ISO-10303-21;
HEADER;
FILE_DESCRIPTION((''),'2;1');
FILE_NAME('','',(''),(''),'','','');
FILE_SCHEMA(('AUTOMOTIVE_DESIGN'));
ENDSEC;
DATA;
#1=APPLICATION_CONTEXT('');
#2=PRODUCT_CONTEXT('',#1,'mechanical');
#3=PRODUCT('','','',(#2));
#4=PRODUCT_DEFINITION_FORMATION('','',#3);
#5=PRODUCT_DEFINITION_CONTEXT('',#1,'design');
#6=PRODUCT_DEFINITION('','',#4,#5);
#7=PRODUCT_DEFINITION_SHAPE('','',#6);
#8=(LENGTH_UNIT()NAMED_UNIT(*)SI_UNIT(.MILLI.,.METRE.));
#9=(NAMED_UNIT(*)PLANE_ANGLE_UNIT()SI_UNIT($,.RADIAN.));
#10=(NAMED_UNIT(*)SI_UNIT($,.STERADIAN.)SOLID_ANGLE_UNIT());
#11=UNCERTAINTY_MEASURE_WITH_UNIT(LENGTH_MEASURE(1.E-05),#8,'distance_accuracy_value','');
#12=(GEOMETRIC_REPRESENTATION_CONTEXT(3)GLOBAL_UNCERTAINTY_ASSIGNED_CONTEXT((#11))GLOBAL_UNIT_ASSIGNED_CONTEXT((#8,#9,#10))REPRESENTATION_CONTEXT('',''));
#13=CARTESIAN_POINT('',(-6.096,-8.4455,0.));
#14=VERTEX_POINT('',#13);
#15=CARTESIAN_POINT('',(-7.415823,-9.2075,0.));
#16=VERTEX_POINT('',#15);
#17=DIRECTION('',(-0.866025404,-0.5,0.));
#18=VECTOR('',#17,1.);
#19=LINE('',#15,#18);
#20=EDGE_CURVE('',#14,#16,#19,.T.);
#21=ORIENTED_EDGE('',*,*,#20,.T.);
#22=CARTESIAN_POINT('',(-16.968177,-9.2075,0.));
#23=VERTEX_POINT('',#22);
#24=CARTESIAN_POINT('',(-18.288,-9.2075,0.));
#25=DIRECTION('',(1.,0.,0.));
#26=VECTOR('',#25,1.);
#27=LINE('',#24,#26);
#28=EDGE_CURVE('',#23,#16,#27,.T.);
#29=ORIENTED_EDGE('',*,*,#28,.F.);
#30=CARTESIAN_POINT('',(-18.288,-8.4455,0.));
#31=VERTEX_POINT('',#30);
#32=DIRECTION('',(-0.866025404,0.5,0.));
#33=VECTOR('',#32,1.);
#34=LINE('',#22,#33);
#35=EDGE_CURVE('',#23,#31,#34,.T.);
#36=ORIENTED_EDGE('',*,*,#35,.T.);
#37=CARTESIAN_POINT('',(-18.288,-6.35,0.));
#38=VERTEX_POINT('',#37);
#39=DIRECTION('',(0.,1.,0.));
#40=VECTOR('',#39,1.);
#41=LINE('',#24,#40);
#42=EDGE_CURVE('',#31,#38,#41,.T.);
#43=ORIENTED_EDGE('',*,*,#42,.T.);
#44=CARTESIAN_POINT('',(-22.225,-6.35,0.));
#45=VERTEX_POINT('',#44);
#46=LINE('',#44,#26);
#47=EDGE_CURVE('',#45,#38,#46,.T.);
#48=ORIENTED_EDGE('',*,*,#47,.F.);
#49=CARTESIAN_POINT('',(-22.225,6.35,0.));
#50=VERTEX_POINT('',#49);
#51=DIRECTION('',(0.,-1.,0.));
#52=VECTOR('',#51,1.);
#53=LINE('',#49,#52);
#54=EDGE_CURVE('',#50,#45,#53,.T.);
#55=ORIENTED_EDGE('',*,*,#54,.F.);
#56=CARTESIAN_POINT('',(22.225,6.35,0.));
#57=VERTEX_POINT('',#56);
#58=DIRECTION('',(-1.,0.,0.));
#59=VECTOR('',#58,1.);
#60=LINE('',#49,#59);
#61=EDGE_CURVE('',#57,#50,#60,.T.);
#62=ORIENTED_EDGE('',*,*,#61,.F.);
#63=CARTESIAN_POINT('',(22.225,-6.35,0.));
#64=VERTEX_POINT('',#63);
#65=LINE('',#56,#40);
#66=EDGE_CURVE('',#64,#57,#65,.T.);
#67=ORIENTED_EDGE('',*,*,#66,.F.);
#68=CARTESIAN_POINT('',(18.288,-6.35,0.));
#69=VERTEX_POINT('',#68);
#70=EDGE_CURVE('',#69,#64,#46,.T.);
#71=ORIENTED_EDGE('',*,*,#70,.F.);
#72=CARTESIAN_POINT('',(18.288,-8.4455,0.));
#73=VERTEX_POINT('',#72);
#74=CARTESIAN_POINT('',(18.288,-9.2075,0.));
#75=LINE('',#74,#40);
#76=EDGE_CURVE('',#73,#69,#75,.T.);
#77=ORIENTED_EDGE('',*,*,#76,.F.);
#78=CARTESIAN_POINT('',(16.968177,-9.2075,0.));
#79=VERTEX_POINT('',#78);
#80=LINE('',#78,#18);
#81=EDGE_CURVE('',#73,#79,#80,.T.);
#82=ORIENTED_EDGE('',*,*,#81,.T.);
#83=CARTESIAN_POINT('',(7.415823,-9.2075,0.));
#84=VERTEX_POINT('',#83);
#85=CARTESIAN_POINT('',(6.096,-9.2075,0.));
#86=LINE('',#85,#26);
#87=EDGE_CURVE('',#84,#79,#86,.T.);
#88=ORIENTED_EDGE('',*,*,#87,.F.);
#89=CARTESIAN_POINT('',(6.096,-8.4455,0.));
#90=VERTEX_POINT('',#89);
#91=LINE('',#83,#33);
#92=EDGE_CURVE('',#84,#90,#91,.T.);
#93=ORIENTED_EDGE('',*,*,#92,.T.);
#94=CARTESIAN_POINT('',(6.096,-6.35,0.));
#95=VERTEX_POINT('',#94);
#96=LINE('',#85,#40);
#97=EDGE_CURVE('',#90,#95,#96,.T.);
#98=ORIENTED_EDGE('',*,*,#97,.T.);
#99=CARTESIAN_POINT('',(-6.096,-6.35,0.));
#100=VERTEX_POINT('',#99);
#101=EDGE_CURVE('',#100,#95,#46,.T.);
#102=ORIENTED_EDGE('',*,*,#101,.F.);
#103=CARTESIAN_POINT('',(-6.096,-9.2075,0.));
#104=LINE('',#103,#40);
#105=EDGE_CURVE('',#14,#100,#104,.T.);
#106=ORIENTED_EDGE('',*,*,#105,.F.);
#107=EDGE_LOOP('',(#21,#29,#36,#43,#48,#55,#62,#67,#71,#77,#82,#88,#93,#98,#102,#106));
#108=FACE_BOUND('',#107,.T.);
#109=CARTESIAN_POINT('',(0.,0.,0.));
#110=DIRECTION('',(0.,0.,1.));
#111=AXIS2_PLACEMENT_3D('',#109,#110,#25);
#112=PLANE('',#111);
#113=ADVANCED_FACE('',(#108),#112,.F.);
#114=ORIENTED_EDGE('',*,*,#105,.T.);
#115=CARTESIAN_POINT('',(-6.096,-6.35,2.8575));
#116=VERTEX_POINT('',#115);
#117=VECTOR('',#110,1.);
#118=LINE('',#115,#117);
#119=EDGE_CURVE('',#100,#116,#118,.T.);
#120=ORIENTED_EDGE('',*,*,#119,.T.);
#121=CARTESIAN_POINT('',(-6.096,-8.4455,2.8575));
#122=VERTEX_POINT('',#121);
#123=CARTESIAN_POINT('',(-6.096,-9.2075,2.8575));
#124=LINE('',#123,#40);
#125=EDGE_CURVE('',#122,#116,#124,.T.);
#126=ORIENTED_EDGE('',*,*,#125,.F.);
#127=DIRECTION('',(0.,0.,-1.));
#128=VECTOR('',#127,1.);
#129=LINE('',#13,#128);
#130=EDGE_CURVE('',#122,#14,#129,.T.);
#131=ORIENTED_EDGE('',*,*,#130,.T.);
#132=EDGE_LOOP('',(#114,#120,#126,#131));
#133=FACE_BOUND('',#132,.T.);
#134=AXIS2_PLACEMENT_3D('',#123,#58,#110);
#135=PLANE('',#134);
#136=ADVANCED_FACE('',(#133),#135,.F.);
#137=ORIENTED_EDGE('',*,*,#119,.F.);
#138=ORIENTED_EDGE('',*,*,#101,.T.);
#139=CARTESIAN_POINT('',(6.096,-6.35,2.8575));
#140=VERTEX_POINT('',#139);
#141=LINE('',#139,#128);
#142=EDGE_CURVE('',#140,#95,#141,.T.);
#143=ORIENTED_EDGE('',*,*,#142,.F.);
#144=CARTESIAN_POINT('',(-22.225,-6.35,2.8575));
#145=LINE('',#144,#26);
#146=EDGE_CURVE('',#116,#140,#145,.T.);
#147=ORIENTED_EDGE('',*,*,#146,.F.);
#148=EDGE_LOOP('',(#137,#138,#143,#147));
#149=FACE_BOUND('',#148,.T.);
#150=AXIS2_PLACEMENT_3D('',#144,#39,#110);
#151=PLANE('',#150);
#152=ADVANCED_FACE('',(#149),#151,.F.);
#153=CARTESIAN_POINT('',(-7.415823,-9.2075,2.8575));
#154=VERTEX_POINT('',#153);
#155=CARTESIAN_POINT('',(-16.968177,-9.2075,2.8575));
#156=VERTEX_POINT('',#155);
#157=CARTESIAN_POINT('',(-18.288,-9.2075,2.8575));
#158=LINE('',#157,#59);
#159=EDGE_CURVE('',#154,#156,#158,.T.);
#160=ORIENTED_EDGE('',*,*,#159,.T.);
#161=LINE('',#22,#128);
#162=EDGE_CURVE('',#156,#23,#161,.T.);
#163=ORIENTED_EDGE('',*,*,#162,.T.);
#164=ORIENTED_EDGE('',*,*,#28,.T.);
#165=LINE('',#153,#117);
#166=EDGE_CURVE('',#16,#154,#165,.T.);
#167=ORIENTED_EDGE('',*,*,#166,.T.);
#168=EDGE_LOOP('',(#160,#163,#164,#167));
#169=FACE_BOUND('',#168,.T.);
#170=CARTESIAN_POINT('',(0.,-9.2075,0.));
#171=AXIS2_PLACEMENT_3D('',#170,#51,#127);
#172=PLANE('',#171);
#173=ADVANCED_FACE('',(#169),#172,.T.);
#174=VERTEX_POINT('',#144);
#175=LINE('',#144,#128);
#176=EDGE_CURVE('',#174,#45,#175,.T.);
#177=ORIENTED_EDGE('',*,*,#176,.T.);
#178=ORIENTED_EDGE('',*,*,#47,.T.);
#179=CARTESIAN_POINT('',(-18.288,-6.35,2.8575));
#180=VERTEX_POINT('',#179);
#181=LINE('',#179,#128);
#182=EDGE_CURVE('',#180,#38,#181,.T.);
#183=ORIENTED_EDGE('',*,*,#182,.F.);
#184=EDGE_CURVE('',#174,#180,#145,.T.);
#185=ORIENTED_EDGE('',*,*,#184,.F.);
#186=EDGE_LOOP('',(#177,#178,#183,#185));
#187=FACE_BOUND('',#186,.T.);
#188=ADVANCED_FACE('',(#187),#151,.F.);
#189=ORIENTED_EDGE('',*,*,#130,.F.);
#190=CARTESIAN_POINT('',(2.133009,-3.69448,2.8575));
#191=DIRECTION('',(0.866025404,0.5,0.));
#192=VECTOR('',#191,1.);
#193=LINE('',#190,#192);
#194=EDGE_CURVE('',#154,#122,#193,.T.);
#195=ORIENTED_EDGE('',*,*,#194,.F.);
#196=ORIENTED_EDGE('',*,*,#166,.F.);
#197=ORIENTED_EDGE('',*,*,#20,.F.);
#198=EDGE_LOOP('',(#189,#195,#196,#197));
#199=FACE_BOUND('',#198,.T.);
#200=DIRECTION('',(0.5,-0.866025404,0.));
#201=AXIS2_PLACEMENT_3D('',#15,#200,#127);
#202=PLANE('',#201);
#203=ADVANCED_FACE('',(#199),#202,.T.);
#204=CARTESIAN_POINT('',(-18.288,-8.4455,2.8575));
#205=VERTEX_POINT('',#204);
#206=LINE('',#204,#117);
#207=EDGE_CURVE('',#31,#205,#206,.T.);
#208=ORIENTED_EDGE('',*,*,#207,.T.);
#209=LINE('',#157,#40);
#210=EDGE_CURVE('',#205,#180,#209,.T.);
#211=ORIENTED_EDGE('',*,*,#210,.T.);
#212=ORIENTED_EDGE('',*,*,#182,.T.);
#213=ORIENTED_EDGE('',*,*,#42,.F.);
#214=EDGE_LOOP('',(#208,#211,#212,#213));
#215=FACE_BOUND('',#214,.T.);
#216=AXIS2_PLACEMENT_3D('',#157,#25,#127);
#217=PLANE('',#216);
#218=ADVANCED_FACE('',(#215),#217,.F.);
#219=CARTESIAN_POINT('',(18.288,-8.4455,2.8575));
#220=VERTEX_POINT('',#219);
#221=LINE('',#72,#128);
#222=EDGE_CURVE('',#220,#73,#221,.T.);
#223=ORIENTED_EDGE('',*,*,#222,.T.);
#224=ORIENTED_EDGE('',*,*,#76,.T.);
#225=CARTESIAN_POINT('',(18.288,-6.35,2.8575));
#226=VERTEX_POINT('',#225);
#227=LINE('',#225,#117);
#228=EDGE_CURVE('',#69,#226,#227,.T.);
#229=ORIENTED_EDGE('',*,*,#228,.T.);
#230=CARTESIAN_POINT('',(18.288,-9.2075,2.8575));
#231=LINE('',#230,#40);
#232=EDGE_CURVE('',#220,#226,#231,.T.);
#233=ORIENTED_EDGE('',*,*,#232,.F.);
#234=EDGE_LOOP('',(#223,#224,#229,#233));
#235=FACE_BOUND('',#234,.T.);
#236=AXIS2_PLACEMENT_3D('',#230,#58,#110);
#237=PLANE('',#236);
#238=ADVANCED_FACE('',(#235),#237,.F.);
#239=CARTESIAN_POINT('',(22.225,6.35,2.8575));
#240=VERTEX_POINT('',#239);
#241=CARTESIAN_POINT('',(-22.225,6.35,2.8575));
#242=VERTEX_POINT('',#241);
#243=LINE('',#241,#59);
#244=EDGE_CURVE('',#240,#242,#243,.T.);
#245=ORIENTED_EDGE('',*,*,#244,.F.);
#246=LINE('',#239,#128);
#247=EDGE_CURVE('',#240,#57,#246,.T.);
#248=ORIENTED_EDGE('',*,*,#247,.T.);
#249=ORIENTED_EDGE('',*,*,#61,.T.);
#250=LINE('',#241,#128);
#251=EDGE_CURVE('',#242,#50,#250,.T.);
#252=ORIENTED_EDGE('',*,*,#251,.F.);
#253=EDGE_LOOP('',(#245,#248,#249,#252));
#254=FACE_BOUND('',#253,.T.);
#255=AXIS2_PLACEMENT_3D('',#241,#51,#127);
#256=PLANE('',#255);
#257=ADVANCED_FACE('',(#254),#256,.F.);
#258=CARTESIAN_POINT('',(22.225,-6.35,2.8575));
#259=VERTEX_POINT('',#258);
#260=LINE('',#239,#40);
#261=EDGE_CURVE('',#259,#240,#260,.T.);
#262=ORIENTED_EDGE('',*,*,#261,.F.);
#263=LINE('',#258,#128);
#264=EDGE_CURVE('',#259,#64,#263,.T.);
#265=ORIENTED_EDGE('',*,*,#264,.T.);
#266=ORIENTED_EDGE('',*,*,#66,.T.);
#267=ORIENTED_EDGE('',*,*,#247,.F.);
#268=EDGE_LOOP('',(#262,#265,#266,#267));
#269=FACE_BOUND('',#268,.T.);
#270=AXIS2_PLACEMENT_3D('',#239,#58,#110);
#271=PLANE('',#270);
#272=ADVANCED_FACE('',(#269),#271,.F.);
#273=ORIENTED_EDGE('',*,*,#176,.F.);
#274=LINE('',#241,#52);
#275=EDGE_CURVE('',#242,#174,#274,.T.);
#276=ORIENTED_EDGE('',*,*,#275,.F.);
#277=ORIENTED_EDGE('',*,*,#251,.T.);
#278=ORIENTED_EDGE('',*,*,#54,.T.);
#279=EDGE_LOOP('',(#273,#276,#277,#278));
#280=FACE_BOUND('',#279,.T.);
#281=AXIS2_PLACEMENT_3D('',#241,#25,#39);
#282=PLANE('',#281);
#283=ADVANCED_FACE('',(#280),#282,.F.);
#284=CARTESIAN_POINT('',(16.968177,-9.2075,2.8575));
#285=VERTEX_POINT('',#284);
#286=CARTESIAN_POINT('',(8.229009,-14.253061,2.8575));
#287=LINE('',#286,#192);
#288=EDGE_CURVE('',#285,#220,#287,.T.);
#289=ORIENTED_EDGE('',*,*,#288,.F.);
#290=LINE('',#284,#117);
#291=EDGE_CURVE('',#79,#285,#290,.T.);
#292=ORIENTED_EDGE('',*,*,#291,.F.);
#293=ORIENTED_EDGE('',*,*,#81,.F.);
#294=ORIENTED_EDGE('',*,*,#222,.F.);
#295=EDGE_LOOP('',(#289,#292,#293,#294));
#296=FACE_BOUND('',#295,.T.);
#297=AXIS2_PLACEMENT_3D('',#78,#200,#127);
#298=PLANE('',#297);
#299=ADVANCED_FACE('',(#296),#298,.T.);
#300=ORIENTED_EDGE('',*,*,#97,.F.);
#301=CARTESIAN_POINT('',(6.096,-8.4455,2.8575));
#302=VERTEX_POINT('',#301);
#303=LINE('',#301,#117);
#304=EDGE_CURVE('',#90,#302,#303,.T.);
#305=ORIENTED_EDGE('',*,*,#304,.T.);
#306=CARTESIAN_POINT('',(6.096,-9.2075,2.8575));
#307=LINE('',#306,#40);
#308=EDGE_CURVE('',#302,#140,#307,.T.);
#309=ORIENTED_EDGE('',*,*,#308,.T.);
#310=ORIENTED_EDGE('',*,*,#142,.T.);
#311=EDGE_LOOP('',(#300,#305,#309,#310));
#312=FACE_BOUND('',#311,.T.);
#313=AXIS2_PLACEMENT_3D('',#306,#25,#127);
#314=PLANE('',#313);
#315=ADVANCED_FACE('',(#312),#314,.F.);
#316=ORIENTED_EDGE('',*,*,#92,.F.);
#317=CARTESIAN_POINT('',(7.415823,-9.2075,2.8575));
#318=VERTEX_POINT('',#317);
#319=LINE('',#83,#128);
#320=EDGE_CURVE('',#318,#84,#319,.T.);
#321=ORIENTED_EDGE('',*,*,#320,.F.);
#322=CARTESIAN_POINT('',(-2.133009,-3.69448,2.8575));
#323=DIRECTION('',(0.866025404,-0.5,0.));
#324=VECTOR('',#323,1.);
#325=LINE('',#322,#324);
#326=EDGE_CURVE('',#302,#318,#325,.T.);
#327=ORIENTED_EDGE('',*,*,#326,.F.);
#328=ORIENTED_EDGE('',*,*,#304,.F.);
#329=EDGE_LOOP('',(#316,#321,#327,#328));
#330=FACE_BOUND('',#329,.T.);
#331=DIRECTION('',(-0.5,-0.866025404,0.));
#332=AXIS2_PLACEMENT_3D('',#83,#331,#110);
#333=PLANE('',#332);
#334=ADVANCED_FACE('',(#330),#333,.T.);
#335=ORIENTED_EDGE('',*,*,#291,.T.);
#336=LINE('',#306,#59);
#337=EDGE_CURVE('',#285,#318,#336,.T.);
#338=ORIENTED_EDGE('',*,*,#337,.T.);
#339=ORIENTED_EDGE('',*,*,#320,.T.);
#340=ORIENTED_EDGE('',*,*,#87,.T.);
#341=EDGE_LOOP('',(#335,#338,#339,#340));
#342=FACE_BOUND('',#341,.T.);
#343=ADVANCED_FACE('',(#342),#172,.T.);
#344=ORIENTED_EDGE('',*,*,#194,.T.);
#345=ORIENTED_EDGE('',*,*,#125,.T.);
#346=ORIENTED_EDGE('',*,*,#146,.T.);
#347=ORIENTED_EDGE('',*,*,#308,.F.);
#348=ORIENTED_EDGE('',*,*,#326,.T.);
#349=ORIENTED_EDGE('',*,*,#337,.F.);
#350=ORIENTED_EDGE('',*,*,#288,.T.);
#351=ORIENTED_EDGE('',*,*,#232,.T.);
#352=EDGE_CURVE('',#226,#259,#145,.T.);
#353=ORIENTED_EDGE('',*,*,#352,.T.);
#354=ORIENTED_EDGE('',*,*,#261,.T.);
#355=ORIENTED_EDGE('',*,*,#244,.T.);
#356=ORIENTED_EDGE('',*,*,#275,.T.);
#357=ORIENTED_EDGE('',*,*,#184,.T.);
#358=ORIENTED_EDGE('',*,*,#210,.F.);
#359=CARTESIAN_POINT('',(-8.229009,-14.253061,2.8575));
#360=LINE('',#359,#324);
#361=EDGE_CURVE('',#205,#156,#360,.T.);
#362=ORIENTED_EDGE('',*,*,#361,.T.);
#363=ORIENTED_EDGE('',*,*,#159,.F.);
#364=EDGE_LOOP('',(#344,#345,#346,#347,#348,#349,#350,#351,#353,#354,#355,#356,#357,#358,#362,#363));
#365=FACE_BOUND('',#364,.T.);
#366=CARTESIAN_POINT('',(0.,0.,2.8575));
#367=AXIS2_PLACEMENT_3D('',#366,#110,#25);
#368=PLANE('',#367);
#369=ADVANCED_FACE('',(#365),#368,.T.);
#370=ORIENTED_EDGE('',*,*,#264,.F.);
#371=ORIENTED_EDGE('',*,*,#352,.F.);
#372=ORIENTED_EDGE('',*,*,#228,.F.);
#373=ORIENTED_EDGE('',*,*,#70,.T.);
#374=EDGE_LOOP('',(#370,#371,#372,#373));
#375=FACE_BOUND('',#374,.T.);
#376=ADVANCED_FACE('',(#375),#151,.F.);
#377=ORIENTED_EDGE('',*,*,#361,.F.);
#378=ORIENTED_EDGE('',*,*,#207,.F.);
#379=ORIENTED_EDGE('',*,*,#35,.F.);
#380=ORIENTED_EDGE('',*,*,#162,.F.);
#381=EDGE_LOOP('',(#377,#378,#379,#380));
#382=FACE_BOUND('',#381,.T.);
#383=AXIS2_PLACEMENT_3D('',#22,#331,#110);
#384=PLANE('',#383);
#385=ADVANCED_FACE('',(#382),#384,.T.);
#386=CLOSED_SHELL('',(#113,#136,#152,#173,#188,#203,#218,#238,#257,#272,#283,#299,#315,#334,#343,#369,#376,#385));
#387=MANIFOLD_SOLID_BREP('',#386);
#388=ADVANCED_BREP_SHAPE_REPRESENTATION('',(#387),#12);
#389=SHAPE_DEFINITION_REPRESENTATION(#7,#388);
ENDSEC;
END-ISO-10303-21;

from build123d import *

# Parameters (mm, degrees)
SKETCH1_W             = 44.45
SKETCH1_H             = 12.7
BOSS_EXTRUDE1_DEPTH   = 2.8575
SKETCH2_W             = 12.192
SKETCH2_H             = 2.8575
BOSS_EXTRUDE2_DEPTH   = 2.8575
CHAMFER1_SIZE         = 0.762
CHAMFER1_SIZE2        = 1.319822715
CHAMFER1_PART_2_SIZE  = 0.762
CHAMFER1_PART_2_SIZE2 = 1.319822715
CHAMFER2_SIZE         = 0.762
CHAMFER2_SIZE2        = 1.319822715
CHAMFER2_PART_2_SIZE  = 0.762
CHAMFER2_PART_2_SIZE2 = 1.319822715


with BuildPart() as part:
    # Sketch1 → Boss-Extrude1 (new body)
    with BuildSketch(Plane.XY):
        Rectangle(SKETCH1_W, SKETCH1_H)
    extrude(amount=BOSS_EXTRUDE1_DEPTH)

    # Sketch2 → Boss-Extrude2 (add)
    with BuildSketch(Plane(origin=(0, -6.35, 0), x_dir=(-1, 0, 0), z_dir=(0, -1, 0))):
        with Locations((12.192, -1.42875)):
            Rectangle(SKETCH2_W, SKETCH2_H)
        with Locations((-12.192, -1.42875)):
            Rectangle(SKETCH2_W, SKETCH2_H)
    extrude(amount=BOSS_EXTRUDE2_DEPTH)

    # Chamfer1
    chamfer1_edges = [part.edges().sort_by_distance(p)[0] for p in [
        (-18.288, -9.2075, 1.42875),
    ]]
    chamfer1_side = [part.faces().sort_by_distance(p)[0] for p in [
        (-18.288, -7.77875, 1.42875),
    ]]
    chamfer(chamfer1_edges, length=CHAMFER1_SIZE, length2=CHAMFER1_SIZE2, reference=chamfer1_side[0])

    # Chamfer1 part 2
    chamfer1_part_2_edges = [part.edges().sort_by_distance(p)[0] for p in [
        (6.096, -9.2075, 1.42875),
    ]]
    chamfer1_part_2_side = [part.faces().sort_by_distance(p)[0] for p in [
        (6.096, -7.77875, 1.42875),
    ]]
    chamfer(chamfer1_part_2_edges, length=CHAMFER1_PART_2_SIZE, length2=CHAMFER1_PART_2_SIZE2, reference=chamfer1_part_2_side[0])

    # Chamfer2
    chamfer2_edges = [part.edges().sort_by_distance(p)[0] for p in [
        (-6.096, -9.2075, 1.42875),
    ]]
    chamfer2_side = [part.faces().sort_by_distance(p)[0] for p in [
        (-6.096, -7.77875, 1.42875),
    ]]
    chamfer(chamfer2_edges, length=CHAMFER2_SIZE, length2=CHAMFER2_SIZE2, reference=chamfer2_side[0])

    # Chamfer2 part 2
    chamfer2_part_2_edges = [part.edges().sort_by_distance(p)[0] for p in [
        (18.288, -9.2075, 1.42875),
    ]]
    chamfer2_part_2_side = [part.faces().sort_by_distance(p)[0] for p in [
        (18.288, -7.77875, 1.42875),
    ]]
    chamfer(chamfer2_part_2_edges, length=CHAMFER2_PART_2_SIZE, length2=CHAMFER2_PART_2_SIZE2, reference=chamfer2_part_2_side[0])


solid = part.part
